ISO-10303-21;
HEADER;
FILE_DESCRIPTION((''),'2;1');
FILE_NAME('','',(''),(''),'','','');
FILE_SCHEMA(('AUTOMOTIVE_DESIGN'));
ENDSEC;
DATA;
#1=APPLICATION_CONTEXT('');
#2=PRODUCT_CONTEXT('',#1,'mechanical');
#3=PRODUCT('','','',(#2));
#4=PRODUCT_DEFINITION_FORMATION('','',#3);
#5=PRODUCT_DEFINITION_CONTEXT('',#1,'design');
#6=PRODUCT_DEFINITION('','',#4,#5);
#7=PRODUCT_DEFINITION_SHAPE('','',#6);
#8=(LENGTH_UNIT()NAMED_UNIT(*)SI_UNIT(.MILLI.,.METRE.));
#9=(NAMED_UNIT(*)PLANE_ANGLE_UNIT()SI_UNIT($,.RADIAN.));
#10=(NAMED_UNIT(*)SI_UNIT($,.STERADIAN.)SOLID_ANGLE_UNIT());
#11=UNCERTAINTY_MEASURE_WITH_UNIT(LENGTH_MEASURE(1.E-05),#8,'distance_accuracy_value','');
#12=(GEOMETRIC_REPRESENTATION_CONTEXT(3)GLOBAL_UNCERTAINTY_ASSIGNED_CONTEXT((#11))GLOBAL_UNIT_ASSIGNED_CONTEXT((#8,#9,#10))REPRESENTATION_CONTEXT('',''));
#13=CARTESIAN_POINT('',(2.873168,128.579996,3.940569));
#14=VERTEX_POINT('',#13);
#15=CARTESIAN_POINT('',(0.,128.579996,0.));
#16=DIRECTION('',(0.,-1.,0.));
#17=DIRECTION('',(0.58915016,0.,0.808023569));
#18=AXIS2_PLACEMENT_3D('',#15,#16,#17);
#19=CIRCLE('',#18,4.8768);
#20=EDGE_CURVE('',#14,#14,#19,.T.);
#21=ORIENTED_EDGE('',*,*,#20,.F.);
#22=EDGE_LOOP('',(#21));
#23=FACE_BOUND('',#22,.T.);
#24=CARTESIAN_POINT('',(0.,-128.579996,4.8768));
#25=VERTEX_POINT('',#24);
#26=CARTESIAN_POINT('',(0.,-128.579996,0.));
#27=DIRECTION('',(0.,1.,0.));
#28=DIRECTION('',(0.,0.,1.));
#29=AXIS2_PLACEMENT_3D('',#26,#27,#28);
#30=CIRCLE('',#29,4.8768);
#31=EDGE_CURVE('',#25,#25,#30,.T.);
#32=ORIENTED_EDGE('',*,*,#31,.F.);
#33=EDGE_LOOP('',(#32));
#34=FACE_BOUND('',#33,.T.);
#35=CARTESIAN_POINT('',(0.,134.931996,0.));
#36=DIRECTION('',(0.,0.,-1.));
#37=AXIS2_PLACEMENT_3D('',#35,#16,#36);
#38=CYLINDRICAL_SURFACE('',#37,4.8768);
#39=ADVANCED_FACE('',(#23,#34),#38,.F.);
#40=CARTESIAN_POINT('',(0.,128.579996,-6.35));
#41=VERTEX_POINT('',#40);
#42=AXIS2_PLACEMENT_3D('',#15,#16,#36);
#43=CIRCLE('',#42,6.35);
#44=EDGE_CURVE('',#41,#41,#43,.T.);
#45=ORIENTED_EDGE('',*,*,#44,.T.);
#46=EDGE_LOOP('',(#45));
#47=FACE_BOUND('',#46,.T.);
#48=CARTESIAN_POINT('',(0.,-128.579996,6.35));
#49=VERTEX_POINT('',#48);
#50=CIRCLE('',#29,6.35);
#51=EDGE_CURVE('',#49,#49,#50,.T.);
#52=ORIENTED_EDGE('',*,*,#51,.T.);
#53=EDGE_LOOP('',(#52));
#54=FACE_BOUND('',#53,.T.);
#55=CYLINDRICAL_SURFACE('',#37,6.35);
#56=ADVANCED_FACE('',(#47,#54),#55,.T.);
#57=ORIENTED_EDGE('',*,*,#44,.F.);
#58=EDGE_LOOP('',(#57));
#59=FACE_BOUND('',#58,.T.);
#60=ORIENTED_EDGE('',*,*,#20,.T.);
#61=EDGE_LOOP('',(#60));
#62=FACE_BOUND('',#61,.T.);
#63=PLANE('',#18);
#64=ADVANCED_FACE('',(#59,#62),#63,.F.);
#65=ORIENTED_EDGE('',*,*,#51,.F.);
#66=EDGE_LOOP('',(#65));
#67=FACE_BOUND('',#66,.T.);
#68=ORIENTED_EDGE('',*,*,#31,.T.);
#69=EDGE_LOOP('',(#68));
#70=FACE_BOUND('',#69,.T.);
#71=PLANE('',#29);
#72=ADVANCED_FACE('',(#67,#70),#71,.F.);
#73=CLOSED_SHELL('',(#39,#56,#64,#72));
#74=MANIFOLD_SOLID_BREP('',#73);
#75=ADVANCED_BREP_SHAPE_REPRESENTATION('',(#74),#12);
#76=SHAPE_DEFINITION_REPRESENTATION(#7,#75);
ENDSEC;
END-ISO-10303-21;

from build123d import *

# Parameters (mm, degrees)
BOSS_EXTRUDE1_START = -128.579996
SKETCH1_R           = 6.35
SKETCH1_R_2         = 4.8768
BOSS_EXTRUDE1_DEPTH = 257.159992


with BuildPart() as part:
    # Sketch1 → Boss-Extrude1 (new body)
    with BuildSketch(Plane(origin=(0, 0, 0), x_dir=(1, 0, 0), z_dir=(0, 1, 0)).offset(BOSS_EXTRUDE1_START)):
        with Locations(Location((0, 0, 0), (0, 0, 90))):
            Circle(SKETCH1_R)
        with Locations(Location((0, 0, 0), (0, 0, 306.096724158))):
            Circle(SKETCH1_R_2, mode=Mode.SUBTRACT)
    extrude(amount=BOSS_EXTRUDE1_DEPTH)


solid = part.part
